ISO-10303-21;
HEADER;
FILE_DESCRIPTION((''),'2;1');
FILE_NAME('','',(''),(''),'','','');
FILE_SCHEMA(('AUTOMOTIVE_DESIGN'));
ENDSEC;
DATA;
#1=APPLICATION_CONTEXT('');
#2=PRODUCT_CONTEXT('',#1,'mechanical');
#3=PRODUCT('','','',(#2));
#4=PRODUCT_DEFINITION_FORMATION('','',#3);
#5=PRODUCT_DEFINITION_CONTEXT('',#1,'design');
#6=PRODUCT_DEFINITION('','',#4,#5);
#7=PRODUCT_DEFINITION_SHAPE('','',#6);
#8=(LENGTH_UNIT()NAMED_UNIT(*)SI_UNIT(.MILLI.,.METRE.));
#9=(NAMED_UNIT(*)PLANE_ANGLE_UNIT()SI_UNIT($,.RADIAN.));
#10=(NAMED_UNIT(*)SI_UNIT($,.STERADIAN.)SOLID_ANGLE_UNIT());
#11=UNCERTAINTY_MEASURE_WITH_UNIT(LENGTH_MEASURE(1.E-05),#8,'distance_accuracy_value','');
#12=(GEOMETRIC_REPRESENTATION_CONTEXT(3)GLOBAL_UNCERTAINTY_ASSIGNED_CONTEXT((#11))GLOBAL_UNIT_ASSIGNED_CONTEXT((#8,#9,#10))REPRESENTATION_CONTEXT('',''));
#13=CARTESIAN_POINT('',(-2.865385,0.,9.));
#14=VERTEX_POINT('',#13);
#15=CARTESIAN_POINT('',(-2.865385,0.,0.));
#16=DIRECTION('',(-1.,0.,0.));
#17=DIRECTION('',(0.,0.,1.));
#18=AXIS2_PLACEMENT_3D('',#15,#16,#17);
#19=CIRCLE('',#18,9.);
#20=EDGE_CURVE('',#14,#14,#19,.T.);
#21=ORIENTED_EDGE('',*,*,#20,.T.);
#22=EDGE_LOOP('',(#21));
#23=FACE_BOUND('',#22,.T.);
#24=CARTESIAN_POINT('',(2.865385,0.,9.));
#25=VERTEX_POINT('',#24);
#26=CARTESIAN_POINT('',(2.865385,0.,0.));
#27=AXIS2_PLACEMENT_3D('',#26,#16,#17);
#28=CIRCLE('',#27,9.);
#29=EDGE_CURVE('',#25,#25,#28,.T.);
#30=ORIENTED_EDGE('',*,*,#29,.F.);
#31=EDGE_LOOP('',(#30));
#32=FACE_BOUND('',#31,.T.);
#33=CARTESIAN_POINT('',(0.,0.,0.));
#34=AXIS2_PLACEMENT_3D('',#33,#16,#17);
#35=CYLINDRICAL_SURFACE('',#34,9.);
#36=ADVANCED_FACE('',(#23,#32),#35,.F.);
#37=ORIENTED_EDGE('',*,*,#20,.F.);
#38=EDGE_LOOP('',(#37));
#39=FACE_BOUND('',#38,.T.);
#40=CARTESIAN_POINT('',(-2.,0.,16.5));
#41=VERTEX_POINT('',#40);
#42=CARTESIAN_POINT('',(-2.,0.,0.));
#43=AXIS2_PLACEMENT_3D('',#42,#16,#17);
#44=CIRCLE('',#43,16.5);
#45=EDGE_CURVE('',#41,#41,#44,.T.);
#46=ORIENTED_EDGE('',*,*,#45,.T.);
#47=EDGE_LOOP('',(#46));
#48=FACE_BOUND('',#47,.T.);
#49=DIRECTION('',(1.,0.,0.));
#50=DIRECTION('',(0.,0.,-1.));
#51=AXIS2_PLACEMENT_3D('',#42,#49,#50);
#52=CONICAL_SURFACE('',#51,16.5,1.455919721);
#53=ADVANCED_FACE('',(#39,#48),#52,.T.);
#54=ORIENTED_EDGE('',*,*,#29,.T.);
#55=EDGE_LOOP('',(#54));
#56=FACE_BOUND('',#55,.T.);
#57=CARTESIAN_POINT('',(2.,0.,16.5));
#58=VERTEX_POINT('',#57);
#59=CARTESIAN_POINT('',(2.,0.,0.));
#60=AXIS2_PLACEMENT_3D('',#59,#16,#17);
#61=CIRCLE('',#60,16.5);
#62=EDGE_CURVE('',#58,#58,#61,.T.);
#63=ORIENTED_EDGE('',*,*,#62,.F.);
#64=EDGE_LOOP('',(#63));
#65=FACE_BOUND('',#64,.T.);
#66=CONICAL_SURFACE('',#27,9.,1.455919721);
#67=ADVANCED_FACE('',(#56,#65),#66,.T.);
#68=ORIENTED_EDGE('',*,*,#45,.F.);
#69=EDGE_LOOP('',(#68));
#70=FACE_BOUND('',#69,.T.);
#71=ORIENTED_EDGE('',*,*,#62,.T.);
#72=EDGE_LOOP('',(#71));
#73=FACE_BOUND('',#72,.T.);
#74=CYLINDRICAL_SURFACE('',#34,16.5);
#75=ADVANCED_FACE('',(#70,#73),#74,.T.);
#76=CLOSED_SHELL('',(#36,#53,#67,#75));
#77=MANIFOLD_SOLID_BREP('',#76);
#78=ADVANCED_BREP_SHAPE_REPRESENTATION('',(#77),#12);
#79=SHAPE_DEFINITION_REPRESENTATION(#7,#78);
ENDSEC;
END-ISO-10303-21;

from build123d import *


with BuildPart() as part:
    # 草图2 → 旋转1 (revolve)
    with BuildSketch(Plane.XY, mode=Mode.PRIVATE) as revolve_1_sk:
        Polygon((-2, 16.5), (2, 16.5), (2.865384615, 9), (-2.865384615, 9), align=None)
    revolve(revolve_1_sk.sketch.rotate(Axis((0, 0, 0), (1, 0, 0)), 90), axis=Axis((0, 0, 0), (1, 0, 0)))


solid = part.part
